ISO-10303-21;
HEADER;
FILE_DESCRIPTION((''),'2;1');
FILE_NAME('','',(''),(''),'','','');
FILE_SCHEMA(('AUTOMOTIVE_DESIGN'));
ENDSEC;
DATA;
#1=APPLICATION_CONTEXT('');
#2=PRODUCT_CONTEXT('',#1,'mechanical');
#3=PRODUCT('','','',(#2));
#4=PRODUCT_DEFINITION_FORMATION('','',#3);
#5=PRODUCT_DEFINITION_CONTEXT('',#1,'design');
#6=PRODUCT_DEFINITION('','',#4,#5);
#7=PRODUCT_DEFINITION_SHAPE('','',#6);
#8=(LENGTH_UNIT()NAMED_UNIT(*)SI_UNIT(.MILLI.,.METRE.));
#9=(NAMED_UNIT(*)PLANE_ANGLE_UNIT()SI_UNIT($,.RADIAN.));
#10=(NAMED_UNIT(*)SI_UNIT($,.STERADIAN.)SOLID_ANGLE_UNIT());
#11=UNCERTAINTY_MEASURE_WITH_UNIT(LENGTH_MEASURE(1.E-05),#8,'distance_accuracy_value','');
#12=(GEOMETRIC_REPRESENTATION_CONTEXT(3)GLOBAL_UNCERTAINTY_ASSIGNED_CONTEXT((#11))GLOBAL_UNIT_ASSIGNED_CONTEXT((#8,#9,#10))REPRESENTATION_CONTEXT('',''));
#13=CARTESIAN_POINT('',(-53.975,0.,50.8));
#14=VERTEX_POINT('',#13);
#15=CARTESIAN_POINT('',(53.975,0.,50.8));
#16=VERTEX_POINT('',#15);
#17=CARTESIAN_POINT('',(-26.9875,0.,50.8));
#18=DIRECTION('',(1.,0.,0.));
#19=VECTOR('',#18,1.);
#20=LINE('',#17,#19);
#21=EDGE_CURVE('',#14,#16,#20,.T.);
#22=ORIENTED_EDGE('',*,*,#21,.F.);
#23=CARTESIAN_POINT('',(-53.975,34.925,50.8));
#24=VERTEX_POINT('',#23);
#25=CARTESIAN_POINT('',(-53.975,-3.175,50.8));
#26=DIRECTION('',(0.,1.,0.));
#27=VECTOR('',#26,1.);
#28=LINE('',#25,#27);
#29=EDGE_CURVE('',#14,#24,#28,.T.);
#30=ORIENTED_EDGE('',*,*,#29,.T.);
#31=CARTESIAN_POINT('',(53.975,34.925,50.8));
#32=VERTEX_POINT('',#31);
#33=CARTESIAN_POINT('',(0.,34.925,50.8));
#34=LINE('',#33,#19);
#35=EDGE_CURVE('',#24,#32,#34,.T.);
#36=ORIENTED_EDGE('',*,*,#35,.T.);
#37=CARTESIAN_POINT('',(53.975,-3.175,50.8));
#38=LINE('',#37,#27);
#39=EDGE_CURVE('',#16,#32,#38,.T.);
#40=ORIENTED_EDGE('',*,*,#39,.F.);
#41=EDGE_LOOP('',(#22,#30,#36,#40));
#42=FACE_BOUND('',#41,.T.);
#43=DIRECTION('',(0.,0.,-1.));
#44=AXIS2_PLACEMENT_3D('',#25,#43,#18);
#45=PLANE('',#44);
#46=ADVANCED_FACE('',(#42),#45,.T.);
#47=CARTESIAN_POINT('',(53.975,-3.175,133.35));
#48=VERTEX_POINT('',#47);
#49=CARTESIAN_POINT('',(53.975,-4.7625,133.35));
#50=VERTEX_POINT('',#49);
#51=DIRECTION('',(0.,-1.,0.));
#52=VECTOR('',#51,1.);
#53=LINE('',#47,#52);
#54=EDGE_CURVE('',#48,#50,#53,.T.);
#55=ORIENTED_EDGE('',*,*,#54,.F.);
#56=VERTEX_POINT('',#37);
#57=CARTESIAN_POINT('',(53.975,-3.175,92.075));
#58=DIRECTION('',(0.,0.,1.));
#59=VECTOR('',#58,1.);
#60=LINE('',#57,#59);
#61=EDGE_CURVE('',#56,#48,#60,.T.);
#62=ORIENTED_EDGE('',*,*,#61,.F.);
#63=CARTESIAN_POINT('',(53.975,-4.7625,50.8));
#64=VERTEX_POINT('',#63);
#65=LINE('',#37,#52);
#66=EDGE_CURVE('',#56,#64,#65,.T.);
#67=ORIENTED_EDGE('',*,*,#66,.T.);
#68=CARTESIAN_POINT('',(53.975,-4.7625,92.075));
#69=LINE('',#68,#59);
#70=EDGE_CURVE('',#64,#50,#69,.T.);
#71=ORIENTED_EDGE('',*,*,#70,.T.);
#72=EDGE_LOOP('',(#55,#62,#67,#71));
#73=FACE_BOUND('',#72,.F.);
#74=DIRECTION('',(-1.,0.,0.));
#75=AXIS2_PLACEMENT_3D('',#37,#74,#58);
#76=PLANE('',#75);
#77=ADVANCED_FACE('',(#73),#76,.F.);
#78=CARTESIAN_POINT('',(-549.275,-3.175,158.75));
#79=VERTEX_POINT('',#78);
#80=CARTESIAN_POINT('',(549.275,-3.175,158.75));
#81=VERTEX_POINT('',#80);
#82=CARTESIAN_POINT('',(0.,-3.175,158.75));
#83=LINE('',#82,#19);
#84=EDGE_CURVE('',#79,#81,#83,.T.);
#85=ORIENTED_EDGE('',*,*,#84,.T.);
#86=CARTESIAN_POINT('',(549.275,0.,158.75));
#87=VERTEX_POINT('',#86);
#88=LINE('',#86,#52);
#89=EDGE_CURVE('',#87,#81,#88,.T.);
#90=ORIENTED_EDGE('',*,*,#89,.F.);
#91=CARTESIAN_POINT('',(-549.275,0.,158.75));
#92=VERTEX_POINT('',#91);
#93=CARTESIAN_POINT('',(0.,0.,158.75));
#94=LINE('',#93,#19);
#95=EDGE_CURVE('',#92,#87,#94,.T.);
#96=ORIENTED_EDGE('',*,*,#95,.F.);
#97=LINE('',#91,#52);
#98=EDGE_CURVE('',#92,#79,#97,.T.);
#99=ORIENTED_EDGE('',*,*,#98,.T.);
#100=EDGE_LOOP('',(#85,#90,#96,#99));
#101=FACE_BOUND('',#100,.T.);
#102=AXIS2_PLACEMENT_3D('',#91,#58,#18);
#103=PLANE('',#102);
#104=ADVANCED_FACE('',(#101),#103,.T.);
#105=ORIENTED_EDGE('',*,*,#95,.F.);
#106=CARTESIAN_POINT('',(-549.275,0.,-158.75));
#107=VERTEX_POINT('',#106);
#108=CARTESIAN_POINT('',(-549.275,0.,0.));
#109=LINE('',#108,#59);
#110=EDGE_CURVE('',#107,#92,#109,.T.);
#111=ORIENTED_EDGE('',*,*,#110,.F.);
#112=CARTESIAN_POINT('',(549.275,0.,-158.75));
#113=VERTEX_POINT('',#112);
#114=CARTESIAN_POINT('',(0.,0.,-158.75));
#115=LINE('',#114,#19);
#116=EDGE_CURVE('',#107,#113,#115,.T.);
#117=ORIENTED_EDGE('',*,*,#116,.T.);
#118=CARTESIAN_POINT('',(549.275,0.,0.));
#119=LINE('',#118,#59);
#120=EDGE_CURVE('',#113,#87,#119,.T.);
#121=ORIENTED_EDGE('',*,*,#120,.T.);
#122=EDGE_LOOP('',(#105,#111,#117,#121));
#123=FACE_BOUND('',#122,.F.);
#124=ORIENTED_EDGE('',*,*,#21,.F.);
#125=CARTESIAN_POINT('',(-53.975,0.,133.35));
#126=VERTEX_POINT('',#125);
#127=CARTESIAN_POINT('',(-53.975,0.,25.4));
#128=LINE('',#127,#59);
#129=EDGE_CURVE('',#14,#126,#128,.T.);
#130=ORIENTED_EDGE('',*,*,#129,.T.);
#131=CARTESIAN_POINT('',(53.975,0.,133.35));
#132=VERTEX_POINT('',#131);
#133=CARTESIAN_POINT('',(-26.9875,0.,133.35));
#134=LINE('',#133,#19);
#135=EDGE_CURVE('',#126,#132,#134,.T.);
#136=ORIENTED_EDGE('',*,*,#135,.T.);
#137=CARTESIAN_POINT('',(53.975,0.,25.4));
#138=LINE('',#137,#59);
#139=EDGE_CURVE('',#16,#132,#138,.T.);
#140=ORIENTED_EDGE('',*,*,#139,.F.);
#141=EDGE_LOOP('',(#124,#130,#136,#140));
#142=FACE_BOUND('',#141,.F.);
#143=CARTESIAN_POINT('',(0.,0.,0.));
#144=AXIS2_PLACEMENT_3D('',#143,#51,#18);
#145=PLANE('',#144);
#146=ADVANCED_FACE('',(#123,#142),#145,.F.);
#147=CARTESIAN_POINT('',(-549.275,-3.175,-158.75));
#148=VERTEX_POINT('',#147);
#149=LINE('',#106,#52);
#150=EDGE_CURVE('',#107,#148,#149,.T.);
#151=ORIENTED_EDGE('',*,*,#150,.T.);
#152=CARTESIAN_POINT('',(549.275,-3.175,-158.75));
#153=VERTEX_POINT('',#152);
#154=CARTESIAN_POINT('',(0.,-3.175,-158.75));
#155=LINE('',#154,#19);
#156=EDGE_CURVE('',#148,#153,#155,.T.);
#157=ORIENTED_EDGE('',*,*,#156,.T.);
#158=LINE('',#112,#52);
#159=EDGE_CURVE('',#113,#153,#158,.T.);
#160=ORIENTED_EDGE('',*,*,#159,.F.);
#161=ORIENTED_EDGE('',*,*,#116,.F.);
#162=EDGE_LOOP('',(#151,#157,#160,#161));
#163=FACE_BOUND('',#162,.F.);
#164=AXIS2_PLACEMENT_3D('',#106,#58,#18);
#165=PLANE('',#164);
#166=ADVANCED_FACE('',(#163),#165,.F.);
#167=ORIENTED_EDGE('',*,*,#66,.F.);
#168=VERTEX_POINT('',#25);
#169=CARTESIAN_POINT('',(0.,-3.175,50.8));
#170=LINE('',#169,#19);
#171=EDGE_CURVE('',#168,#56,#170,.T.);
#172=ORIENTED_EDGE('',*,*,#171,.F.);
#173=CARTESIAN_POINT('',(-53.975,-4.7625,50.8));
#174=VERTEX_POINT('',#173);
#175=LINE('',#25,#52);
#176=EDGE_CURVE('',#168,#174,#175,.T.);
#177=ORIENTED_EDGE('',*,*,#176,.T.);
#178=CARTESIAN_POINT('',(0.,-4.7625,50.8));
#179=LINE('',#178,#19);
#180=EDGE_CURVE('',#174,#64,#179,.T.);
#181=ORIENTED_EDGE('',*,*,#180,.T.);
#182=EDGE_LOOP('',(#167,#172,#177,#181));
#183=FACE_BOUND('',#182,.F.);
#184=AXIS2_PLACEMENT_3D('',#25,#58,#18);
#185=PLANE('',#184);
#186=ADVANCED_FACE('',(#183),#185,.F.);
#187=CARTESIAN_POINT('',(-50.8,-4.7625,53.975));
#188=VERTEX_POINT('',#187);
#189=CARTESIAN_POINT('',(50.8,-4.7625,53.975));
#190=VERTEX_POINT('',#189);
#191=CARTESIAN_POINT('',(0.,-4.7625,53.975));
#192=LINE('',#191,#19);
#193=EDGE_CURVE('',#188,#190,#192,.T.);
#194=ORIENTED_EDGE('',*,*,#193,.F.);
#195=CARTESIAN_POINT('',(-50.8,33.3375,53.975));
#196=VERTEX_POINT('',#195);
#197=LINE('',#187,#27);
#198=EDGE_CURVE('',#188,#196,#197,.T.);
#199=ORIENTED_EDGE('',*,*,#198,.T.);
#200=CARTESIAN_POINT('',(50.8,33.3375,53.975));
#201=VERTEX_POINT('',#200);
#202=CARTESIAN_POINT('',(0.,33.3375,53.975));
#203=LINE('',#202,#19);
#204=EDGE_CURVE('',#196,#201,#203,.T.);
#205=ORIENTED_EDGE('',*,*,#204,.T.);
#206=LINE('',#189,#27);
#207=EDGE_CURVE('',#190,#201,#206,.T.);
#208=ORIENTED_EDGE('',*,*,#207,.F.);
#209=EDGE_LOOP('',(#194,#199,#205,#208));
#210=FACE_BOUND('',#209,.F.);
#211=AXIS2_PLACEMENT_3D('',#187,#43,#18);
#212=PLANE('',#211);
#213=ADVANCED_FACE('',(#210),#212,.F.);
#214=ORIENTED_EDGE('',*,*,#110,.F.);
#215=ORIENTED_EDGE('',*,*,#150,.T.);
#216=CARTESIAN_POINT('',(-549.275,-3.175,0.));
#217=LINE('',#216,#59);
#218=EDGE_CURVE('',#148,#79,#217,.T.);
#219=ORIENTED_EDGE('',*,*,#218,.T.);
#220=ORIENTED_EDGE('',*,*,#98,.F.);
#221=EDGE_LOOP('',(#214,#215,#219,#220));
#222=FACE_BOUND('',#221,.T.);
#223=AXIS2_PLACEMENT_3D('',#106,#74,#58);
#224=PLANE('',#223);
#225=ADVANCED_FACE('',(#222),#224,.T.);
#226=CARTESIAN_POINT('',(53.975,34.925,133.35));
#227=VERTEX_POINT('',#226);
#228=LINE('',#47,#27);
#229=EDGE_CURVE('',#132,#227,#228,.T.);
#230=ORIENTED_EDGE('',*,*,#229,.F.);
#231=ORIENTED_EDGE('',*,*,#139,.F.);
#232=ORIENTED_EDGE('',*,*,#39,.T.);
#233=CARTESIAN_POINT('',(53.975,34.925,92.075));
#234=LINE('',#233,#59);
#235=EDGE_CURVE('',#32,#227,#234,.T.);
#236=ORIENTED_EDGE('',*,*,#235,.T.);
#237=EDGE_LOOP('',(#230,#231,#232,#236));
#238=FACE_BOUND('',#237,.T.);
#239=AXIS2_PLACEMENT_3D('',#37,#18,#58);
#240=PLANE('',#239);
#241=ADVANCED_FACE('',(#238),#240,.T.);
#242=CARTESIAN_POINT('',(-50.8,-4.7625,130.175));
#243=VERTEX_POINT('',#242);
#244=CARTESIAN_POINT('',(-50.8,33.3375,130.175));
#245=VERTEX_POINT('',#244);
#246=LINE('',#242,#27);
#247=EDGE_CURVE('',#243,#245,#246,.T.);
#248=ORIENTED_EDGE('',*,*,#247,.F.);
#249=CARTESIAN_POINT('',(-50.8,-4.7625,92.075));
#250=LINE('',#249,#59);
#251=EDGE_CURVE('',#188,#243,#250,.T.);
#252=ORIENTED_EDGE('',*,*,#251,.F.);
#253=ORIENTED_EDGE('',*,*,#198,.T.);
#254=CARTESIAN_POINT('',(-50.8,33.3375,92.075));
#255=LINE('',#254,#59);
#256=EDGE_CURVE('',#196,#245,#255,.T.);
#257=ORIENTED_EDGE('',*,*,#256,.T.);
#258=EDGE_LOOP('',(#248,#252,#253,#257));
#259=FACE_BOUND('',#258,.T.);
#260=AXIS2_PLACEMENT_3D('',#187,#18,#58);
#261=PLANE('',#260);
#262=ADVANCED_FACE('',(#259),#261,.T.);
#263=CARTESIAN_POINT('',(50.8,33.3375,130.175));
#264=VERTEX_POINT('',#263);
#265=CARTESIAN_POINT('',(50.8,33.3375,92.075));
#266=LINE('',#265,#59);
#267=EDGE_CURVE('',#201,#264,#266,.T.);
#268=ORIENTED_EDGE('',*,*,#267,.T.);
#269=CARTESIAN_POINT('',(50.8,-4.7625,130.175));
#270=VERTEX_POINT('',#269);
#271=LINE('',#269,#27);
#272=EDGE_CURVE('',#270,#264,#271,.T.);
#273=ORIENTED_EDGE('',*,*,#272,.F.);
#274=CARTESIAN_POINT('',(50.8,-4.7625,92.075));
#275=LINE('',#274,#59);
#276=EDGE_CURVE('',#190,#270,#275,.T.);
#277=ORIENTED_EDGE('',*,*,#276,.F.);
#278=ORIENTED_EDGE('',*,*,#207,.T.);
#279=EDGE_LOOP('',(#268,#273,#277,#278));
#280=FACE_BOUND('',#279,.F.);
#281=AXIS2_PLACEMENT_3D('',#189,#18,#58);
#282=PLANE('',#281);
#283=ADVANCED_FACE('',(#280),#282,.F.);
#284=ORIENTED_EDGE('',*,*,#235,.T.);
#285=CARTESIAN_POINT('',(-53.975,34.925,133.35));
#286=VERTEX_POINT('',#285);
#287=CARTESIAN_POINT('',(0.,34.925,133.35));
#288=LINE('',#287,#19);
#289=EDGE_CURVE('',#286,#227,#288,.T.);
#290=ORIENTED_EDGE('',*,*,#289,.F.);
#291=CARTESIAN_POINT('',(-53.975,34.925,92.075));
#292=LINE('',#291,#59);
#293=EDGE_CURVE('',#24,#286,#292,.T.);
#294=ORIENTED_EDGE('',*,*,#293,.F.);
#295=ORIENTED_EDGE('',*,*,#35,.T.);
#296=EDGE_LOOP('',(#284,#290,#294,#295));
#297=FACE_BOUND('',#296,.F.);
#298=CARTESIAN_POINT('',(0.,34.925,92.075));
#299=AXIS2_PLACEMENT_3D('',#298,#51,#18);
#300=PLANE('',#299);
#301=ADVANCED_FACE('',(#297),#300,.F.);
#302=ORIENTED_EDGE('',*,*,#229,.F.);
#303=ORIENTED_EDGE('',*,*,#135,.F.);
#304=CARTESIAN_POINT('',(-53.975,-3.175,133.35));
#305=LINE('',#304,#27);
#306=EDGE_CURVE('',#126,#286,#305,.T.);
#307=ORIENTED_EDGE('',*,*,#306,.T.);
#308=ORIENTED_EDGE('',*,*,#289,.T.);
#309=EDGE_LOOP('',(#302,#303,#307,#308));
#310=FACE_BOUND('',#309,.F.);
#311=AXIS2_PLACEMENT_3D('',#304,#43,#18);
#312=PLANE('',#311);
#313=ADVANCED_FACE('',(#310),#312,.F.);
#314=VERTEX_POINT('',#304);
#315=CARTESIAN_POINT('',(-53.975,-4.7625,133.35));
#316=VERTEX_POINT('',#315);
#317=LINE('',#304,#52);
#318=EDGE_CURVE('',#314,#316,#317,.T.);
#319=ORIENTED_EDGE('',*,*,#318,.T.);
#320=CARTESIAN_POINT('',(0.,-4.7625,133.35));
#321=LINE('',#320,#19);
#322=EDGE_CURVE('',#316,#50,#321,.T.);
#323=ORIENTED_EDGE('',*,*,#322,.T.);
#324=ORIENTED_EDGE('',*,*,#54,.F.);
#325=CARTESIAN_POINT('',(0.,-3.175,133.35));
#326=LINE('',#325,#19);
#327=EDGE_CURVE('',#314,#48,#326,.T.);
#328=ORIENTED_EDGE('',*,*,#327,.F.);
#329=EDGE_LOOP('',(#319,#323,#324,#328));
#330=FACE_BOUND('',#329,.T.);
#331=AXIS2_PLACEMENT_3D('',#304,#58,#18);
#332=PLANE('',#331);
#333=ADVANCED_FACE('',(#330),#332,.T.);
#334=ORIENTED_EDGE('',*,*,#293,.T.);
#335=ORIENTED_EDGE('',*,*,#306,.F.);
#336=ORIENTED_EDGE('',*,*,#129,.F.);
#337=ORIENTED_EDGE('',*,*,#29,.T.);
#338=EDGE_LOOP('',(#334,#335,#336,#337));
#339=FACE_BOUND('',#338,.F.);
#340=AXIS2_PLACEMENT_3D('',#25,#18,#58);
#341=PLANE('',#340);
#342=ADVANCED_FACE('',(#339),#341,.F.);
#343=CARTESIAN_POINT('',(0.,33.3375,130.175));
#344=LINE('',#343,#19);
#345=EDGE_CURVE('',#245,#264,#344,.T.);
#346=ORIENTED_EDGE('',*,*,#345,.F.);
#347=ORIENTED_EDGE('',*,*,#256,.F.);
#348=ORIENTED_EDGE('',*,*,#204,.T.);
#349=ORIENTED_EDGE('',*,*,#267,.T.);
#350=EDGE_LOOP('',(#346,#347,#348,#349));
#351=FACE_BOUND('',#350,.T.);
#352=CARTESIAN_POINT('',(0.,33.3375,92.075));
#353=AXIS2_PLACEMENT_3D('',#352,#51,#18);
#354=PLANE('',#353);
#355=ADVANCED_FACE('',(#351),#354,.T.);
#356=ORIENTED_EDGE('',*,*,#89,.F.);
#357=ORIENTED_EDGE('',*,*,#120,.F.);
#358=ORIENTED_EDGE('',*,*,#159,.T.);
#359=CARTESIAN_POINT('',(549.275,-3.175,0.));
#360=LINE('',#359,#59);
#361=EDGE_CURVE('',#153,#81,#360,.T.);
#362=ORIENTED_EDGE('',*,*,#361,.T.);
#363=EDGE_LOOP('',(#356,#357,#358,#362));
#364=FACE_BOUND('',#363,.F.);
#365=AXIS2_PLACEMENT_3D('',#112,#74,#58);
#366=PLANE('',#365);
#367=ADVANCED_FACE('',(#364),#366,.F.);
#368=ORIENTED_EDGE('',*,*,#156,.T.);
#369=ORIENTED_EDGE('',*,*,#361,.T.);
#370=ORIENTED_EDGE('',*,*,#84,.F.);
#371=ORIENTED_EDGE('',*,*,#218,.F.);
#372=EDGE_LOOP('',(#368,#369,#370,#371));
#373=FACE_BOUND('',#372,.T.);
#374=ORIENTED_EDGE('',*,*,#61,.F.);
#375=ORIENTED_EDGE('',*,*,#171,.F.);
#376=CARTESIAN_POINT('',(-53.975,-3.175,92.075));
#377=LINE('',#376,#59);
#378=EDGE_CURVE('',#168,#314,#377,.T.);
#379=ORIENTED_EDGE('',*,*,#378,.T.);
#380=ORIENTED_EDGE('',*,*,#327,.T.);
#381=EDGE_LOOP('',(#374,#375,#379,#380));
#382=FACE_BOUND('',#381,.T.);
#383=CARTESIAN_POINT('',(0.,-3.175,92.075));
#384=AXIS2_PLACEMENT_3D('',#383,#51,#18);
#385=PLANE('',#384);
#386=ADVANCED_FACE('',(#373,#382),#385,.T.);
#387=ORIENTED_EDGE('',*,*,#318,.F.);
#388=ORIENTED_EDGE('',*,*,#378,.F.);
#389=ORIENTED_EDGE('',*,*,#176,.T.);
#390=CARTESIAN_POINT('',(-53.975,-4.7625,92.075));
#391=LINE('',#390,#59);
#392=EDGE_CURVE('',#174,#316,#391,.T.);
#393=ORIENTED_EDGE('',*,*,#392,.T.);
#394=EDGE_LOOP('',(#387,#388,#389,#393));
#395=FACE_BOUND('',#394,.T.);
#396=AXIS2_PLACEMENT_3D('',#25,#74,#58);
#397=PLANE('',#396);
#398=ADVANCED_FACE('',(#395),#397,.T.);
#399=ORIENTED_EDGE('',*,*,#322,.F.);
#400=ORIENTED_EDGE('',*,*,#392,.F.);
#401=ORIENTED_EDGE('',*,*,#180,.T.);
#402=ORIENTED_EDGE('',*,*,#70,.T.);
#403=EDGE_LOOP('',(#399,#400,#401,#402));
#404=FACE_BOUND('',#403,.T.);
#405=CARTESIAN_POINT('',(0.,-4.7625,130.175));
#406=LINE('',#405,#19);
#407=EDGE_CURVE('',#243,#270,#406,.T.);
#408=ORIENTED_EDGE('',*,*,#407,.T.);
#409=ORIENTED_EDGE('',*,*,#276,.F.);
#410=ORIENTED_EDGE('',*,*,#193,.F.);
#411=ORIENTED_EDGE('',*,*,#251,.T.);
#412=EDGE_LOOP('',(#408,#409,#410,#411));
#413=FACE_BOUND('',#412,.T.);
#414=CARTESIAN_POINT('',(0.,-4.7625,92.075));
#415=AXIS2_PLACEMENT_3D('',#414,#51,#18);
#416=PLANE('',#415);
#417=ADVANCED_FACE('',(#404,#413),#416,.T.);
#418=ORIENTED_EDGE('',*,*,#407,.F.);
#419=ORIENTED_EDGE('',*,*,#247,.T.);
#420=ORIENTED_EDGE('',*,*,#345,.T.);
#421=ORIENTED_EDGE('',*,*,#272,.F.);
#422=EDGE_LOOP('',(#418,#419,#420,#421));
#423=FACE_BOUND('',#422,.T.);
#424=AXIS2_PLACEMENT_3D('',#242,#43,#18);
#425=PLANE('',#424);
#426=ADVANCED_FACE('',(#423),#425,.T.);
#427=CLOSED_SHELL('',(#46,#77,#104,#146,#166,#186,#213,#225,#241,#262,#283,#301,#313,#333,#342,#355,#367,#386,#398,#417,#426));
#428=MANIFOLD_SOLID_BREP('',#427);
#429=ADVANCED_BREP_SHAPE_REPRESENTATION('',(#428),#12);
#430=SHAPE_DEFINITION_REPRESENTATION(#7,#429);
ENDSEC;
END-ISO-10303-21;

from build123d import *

# Parameters (mm, degrees)
F0_W     = 1098.55
F0_H     = 317.5
F1_DEPTH = 3.175
F2_W     = 107.95
F2_H     = 82.55
F3_DEPTH = 38.1
F4_DEPTH = 1.5875
F5_W     = 101.6
F5_H     = 76.2
F6_DEPTH = 38.1


with BuildPart() as f1:
    # F0 (on Front) → F1 (new body)
    with BuildSketch(Plane.XZ):
        Rectangle(F0_W, F0_H)
    extrude(amount=F1_DEPTH)

    # F2 (on face) → F3 (join)
    with BuildSketch(Plane.XZ.offset(3.175)):
        with Locations((0, 92.075)):
            Rectangle(F2_W, F2_H)
    extrude(amount=-F3_DEPTH)

    # F2 (on face) → F4 (join)
    with BuildSketch(Plane.XZ.offset(3.175)):
        with Locations((0, 92.075)):
            Rectangle(F2_W, F2_H)
    extrude(amount=F4_DEPTH)

    # F5 (on face) → F6 (cut)
    with BuildSketch(Plane.XZ.offset(4.7625)):
        with Locations((0, 92.075)):
            Rectangle(F5_W, F5_H)
    extrude(amount=-F6_DEPTH, mode=Mode.SUBTRACT)


solid = f1.part
